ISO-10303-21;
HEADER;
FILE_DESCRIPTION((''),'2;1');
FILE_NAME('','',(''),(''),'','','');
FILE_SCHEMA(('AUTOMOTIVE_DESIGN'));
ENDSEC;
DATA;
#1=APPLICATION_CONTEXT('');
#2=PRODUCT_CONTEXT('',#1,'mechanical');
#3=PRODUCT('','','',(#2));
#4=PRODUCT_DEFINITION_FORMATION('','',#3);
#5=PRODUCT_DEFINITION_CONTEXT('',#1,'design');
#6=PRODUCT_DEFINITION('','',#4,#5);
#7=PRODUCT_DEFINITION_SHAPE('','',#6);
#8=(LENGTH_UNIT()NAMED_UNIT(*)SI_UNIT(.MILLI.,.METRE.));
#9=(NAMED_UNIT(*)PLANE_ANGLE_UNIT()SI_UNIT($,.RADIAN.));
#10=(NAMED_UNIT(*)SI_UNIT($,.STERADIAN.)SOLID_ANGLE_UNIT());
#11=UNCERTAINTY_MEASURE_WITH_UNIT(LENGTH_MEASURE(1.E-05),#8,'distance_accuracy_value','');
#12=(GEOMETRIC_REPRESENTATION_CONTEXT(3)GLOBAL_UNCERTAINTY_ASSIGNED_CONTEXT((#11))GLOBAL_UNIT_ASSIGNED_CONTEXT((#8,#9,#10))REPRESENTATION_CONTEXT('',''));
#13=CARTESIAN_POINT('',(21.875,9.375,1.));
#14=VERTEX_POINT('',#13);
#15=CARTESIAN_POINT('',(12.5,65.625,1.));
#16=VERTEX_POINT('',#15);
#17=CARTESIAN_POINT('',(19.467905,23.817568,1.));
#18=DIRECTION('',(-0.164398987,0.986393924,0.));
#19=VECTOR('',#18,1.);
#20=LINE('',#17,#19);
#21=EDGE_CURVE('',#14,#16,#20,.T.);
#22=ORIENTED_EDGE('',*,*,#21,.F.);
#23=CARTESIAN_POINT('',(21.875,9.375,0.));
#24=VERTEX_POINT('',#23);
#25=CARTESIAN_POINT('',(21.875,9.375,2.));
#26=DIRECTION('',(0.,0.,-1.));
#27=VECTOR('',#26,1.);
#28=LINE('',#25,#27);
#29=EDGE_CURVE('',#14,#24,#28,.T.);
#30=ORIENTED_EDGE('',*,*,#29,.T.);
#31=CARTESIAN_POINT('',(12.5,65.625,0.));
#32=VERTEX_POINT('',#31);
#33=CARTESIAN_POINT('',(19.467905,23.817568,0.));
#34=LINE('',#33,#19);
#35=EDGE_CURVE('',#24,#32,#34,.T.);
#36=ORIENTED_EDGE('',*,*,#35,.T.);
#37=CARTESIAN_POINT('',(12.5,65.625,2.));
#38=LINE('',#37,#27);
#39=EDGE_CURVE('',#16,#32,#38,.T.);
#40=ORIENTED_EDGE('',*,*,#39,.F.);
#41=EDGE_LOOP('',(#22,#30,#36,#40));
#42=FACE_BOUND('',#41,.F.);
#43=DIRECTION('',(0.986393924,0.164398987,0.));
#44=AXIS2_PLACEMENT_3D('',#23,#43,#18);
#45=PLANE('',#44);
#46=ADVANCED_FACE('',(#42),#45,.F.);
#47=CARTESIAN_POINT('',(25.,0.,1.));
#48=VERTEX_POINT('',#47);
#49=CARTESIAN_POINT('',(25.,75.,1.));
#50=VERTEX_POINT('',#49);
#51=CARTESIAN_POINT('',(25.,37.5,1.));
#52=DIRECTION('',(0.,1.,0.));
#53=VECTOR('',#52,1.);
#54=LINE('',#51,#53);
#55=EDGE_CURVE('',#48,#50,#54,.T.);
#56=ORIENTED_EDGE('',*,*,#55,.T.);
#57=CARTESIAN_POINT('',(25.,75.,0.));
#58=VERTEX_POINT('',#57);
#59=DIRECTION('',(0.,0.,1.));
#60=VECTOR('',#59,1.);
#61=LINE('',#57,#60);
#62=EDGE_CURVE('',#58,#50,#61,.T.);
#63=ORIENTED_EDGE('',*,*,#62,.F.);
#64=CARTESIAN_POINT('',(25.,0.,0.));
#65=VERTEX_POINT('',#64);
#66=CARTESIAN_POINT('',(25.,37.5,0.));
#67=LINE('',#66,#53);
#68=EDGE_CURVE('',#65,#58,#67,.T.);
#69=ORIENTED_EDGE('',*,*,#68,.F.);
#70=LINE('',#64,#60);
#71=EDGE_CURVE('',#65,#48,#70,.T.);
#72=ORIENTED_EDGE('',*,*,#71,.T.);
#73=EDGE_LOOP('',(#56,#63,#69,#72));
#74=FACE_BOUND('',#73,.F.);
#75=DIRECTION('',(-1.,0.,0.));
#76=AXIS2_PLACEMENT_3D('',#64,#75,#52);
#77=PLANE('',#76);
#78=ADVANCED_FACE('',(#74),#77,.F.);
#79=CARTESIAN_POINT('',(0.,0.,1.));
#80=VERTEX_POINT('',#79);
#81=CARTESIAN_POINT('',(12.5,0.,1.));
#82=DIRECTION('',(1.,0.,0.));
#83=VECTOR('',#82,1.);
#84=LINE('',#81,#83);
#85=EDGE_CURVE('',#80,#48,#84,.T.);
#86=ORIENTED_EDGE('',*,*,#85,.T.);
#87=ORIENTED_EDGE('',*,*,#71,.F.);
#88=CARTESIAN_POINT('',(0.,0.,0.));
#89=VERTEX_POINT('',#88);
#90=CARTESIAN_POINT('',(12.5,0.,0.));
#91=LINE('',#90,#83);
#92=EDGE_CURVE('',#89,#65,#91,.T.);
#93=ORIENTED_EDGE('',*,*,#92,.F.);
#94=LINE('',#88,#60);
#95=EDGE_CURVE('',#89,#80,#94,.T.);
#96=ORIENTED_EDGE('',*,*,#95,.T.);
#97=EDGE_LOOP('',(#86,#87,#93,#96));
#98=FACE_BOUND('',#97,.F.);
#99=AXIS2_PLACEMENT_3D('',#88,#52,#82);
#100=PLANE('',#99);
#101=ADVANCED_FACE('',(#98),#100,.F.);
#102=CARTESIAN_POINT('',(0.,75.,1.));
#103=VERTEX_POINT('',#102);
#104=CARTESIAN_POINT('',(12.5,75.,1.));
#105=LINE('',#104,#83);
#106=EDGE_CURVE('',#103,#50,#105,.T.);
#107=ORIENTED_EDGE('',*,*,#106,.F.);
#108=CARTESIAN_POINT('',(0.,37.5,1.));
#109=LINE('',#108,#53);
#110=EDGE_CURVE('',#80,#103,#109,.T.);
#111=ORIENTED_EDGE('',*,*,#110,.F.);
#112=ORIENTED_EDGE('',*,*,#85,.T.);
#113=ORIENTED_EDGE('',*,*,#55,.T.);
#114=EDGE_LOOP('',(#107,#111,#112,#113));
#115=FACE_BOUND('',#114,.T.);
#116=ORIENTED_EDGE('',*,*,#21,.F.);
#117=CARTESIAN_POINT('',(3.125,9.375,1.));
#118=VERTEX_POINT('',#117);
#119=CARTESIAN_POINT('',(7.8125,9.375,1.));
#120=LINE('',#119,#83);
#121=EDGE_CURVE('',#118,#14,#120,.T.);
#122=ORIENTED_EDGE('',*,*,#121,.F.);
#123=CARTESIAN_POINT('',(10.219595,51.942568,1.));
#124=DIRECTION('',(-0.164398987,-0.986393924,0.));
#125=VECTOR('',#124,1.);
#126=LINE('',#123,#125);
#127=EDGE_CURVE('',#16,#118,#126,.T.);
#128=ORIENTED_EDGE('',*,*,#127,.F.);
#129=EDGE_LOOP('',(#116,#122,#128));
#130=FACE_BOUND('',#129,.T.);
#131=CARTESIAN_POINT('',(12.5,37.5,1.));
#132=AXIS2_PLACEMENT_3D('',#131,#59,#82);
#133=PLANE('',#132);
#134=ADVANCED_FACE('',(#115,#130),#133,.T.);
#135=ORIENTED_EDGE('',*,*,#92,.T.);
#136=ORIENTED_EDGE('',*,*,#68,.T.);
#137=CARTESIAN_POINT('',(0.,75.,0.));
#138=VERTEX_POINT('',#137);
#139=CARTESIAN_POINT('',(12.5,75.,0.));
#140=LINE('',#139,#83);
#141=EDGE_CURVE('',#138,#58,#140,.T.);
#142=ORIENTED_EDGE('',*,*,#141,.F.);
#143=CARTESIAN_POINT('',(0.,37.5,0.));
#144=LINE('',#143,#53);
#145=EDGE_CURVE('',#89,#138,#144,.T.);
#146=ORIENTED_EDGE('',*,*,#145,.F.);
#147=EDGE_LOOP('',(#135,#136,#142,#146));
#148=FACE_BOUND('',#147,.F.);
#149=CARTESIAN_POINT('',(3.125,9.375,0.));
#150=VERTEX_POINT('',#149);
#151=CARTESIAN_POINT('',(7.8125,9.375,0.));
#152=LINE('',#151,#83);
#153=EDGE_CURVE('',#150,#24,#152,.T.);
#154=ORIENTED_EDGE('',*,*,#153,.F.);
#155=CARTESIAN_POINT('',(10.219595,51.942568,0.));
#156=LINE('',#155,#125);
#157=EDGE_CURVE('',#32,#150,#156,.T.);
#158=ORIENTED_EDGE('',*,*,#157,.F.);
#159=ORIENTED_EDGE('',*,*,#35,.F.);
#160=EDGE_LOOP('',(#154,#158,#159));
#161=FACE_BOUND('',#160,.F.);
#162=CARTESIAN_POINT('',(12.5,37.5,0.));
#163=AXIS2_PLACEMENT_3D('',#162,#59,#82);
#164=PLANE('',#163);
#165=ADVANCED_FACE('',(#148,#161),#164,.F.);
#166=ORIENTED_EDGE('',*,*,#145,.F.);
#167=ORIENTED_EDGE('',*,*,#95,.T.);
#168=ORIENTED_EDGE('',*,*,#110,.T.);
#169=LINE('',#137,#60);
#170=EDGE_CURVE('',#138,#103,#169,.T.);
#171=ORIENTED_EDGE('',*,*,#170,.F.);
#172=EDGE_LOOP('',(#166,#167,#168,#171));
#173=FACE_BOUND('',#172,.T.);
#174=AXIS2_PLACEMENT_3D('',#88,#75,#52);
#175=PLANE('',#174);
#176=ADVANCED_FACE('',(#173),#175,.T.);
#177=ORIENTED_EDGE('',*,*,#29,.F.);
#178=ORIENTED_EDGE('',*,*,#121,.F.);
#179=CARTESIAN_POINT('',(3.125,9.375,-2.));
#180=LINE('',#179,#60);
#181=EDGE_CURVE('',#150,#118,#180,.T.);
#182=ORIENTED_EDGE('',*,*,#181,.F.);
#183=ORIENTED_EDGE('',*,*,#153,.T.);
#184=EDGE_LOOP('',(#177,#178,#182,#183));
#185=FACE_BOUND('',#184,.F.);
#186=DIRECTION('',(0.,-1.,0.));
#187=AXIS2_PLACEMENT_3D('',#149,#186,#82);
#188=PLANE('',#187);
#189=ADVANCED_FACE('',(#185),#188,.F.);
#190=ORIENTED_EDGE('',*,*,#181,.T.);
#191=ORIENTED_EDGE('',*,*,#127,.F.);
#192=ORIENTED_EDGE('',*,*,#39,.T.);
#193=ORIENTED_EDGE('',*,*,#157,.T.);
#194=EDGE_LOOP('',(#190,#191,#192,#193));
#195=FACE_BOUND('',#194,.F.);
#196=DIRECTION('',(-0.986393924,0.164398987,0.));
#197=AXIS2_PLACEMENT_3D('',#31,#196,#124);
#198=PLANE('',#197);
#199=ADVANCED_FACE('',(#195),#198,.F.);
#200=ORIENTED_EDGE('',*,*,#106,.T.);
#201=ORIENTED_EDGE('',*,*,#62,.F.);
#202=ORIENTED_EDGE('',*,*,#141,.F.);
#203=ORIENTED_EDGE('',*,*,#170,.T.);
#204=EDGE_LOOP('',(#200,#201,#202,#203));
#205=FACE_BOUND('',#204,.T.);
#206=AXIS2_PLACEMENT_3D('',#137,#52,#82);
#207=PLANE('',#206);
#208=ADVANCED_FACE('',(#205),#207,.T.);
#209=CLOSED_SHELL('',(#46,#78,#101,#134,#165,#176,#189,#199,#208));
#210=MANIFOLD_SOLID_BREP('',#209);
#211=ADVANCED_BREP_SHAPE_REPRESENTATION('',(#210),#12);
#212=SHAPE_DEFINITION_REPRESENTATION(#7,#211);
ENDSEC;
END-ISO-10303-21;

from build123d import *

# Parameters (mm, degrees)
PAD003_DEPTH      = 2
PAD003_DEPTH_BACK = 2
SKETCH019_W       = 25
SKETCH019_H       = 75
PAD018_DEPTH      = 1


with BuildPart() as body003:
    # Sketch004 → Pad003 (new body, two sides)
    with BuildSketch(Plane.XY) as pad003_sk:
        Polygon((12.5, 65.625), (3.125, 9.375), (21.875, 9.375), align=None)
    extrude(amount=PAD003_DEPTH)
    extrude(pad003_sk.sketch, amount=-PAD003_DEPTH_BACK)


with BuildPart() as body017:
    # Sketch019 → Pad018 (new body)
    with BuildSketch(Plane.XY):
        with Locations((12.5, 37.5)):
            Rectangle(SKETCH019_W, SKETCH019_H)
    extrude(amount=PAD018_DEPTH)

    # Boolean002: cut Body003
    add(body003.part, mode=Mode.SUBTRACT)


solid = body017.part
